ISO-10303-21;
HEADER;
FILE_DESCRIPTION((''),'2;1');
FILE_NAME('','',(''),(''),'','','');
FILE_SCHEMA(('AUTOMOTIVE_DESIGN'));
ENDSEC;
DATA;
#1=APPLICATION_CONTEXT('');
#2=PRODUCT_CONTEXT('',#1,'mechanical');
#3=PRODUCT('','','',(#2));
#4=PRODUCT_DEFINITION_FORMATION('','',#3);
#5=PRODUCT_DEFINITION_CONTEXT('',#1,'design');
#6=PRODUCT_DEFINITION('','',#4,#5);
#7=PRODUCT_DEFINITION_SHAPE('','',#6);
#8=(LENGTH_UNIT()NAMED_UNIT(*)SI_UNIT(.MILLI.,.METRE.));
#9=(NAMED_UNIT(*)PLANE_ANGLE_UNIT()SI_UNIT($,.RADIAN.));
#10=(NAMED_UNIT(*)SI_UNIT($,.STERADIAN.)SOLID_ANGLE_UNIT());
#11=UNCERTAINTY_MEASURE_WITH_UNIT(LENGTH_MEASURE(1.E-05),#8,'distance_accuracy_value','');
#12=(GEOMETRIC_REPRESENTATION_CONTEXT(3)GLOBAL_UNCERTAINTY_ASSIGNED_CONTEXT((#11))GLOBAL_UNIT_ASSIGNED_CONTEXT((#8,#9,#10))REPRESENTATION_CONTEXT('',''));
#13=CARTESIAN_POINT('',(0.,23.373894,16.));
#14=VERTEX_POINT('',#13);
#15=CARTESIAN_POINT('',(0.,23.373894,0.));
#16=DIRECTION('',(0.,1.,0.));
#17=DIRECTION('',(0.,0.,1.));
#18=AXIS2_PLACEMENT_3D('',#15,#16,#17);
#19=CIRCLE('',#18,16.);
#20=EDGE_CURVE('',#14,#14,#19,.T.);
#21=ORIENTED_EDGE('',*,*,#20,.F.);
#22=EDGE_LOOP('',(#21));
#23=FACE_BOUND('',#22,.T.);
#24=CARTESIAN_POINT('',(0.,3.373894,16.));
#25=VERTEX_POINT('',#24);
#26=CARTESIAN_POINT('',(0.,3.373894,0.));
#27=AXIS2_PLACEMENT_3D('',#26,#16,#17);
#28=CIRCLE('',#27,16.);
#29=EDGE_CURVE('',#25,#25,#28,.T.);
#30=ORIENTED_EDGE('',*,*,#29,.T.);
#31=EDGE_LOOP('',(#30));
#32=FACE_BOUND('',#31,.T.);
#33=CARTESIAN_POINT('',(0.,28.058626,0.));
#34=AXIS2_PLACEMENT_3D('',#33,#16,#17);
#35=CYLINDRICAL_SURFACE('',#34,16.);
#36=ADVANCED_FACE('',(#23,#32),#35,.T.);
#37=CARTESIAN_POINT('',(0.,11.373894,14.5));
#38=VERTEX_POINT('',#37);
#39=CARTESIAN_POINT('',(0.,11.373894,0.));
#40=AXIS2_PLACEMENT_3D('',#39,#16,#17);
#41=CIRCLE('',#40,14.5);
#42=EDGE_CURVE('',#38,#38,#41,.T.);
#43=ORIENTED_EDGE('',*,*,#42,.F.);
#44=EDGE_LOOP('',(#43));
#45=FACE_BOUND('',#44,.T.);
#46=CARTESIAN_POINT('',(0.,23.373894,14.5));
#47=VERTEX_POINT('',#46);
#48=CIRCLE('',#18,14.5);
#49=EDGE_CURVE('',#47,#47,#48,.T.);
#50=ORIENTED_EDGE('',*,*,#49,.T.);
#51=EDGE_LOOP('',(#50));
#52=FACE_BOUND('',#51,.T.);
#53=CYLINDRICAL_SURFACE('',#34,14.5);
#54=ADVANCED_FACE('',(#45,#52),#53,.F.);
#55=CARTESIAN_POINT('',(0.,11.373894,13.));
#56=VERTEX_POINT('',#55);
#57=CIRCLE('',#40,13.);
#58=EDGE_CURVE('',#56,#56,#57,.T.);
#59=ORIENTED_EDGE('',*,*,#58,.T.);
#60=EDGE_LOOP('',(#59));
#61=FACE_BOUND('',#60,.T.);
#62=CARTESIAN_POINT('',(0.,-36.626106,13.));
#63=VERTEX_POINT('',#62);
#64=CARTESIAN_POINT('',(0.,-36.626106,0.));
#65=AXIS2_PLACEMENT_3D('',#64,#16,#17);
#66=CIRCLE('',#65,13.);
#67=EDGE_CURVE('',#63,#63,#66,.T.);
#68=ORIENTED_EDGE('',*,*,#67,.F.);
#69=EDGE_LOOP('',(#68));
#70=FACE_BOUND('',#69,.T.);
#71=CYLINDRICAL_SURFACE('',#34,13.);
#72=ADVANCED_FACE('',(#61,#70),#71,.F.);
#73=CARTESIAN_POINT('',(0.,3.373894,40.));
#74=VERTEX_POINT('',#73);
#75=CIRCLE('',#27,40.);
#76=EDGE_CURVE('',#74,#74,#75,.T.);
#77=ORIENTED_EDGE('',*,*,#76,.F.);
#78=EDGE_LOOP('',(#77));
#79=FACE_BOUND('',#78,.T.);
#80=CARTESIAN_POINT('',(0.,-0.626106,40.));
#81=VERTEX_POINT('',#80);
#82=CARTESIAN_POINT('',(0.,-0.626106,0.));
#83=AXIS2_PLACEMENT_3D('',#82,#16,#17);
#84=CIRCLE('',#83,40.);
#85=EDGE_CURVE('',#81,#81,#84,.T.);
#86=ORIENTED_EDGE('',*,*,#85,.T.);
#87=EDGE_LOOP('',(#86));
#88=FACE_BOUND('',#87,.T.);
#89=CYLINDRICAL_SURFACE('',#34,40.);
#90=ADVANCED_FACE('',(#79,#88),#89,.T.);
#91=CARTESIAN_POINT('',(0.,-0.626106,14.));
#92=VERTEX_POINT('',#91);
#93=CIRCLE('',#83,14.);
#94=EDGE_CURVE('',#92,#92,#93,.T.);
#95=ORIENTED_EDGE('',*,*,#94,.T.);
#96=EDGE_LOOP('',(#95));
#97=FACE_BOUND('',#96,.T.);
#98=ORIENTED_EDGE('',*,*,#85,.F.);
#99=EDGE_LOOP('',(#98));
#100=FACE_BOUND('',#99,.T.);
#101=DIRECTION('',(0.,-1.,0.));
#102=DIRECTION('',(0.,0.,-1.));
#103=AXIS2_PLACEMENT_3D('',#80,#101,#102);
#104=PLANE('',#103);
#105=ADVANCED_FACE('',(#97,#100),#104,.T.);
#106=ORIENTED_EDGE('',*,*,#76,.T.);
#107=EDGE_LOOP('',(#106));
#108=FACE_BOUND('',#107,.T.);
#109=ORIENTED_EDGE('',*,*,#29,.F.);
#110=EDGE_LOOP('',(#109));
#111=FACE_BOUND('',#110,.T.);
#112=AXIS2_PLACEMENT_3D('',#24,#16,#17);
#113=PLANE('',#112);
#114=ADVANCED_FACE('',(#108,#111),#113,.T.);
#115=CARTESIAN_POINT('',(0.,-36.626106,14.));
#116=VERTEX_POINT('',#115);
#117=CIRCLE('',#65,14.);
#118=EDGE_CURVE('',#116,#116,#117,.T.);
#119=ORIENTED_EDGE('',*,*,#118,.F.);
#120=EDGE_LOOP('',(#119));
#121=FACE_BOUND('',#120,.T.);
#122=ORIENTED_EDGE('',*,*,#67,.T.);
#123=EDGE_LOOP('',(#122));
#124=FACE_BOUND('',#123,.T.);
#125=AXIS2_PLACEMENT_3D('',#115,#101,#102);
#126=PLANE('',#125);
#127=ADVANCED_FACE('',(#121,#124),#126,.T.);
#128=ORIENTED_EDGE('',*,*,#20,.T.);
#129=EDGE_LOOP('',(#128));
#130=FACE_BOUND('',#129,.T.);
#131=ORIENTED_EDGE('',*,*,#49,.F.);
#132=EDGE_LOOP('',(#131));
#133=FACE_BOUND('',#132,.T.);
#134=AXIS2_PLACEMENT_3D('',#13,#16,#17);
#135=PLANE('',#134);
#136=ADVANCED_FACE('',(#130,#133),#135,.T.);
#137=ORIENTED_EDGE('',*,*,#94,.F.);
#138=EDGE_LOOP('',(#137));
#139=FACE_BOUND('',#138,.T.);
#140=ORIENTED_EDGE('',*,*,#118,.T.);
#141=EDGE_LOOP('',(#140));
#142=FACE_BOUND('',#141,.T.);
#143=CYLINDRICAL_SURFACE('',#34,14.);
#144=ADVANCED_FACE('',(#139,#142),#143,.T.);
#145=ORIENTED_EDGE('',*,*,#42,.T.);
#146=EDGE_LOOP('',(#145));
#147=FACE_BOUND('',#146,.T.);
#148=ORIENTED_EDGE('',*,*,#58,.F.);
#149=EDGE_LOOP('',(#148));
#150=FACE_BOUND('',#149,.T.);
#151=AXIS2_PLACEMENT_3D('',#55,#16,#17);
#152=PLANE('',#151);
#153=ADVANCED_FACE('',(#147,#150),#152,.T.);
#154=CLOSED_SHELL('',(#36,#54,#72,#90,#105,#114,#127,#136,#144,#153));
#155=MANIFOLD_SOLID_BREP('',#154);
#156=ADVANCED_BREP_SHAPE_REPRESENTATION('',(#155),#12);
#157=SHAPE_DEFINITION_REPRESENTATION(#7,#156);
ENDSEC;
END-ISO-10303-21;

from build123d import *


with BuildPart() as part:
    # Sketch1 → Revolve1 (revolve)
    with BuildSketch(Plane(origin=(0, 0, 0), x_dir=(0, 0, -1), z_dir=(1, 0, 0))):
        Polygon((-16, 3.37389395), (-40, 3.37389395), (-40, -0.62610605), (-14.5, -0.62610605), (-14, -0.62610605), (-14, -36.62610605), (-13, -36.62610605), (-13, -0.62610605), (-13, 11.37389395), (-14.5, 11.37389395), (-14.5, 23.37389395), (-16, 23.37389395), align=None)
    revolve(axis=Axis((0, 28.058626224, 0), (0, -1, 0)))


solid = part.part
